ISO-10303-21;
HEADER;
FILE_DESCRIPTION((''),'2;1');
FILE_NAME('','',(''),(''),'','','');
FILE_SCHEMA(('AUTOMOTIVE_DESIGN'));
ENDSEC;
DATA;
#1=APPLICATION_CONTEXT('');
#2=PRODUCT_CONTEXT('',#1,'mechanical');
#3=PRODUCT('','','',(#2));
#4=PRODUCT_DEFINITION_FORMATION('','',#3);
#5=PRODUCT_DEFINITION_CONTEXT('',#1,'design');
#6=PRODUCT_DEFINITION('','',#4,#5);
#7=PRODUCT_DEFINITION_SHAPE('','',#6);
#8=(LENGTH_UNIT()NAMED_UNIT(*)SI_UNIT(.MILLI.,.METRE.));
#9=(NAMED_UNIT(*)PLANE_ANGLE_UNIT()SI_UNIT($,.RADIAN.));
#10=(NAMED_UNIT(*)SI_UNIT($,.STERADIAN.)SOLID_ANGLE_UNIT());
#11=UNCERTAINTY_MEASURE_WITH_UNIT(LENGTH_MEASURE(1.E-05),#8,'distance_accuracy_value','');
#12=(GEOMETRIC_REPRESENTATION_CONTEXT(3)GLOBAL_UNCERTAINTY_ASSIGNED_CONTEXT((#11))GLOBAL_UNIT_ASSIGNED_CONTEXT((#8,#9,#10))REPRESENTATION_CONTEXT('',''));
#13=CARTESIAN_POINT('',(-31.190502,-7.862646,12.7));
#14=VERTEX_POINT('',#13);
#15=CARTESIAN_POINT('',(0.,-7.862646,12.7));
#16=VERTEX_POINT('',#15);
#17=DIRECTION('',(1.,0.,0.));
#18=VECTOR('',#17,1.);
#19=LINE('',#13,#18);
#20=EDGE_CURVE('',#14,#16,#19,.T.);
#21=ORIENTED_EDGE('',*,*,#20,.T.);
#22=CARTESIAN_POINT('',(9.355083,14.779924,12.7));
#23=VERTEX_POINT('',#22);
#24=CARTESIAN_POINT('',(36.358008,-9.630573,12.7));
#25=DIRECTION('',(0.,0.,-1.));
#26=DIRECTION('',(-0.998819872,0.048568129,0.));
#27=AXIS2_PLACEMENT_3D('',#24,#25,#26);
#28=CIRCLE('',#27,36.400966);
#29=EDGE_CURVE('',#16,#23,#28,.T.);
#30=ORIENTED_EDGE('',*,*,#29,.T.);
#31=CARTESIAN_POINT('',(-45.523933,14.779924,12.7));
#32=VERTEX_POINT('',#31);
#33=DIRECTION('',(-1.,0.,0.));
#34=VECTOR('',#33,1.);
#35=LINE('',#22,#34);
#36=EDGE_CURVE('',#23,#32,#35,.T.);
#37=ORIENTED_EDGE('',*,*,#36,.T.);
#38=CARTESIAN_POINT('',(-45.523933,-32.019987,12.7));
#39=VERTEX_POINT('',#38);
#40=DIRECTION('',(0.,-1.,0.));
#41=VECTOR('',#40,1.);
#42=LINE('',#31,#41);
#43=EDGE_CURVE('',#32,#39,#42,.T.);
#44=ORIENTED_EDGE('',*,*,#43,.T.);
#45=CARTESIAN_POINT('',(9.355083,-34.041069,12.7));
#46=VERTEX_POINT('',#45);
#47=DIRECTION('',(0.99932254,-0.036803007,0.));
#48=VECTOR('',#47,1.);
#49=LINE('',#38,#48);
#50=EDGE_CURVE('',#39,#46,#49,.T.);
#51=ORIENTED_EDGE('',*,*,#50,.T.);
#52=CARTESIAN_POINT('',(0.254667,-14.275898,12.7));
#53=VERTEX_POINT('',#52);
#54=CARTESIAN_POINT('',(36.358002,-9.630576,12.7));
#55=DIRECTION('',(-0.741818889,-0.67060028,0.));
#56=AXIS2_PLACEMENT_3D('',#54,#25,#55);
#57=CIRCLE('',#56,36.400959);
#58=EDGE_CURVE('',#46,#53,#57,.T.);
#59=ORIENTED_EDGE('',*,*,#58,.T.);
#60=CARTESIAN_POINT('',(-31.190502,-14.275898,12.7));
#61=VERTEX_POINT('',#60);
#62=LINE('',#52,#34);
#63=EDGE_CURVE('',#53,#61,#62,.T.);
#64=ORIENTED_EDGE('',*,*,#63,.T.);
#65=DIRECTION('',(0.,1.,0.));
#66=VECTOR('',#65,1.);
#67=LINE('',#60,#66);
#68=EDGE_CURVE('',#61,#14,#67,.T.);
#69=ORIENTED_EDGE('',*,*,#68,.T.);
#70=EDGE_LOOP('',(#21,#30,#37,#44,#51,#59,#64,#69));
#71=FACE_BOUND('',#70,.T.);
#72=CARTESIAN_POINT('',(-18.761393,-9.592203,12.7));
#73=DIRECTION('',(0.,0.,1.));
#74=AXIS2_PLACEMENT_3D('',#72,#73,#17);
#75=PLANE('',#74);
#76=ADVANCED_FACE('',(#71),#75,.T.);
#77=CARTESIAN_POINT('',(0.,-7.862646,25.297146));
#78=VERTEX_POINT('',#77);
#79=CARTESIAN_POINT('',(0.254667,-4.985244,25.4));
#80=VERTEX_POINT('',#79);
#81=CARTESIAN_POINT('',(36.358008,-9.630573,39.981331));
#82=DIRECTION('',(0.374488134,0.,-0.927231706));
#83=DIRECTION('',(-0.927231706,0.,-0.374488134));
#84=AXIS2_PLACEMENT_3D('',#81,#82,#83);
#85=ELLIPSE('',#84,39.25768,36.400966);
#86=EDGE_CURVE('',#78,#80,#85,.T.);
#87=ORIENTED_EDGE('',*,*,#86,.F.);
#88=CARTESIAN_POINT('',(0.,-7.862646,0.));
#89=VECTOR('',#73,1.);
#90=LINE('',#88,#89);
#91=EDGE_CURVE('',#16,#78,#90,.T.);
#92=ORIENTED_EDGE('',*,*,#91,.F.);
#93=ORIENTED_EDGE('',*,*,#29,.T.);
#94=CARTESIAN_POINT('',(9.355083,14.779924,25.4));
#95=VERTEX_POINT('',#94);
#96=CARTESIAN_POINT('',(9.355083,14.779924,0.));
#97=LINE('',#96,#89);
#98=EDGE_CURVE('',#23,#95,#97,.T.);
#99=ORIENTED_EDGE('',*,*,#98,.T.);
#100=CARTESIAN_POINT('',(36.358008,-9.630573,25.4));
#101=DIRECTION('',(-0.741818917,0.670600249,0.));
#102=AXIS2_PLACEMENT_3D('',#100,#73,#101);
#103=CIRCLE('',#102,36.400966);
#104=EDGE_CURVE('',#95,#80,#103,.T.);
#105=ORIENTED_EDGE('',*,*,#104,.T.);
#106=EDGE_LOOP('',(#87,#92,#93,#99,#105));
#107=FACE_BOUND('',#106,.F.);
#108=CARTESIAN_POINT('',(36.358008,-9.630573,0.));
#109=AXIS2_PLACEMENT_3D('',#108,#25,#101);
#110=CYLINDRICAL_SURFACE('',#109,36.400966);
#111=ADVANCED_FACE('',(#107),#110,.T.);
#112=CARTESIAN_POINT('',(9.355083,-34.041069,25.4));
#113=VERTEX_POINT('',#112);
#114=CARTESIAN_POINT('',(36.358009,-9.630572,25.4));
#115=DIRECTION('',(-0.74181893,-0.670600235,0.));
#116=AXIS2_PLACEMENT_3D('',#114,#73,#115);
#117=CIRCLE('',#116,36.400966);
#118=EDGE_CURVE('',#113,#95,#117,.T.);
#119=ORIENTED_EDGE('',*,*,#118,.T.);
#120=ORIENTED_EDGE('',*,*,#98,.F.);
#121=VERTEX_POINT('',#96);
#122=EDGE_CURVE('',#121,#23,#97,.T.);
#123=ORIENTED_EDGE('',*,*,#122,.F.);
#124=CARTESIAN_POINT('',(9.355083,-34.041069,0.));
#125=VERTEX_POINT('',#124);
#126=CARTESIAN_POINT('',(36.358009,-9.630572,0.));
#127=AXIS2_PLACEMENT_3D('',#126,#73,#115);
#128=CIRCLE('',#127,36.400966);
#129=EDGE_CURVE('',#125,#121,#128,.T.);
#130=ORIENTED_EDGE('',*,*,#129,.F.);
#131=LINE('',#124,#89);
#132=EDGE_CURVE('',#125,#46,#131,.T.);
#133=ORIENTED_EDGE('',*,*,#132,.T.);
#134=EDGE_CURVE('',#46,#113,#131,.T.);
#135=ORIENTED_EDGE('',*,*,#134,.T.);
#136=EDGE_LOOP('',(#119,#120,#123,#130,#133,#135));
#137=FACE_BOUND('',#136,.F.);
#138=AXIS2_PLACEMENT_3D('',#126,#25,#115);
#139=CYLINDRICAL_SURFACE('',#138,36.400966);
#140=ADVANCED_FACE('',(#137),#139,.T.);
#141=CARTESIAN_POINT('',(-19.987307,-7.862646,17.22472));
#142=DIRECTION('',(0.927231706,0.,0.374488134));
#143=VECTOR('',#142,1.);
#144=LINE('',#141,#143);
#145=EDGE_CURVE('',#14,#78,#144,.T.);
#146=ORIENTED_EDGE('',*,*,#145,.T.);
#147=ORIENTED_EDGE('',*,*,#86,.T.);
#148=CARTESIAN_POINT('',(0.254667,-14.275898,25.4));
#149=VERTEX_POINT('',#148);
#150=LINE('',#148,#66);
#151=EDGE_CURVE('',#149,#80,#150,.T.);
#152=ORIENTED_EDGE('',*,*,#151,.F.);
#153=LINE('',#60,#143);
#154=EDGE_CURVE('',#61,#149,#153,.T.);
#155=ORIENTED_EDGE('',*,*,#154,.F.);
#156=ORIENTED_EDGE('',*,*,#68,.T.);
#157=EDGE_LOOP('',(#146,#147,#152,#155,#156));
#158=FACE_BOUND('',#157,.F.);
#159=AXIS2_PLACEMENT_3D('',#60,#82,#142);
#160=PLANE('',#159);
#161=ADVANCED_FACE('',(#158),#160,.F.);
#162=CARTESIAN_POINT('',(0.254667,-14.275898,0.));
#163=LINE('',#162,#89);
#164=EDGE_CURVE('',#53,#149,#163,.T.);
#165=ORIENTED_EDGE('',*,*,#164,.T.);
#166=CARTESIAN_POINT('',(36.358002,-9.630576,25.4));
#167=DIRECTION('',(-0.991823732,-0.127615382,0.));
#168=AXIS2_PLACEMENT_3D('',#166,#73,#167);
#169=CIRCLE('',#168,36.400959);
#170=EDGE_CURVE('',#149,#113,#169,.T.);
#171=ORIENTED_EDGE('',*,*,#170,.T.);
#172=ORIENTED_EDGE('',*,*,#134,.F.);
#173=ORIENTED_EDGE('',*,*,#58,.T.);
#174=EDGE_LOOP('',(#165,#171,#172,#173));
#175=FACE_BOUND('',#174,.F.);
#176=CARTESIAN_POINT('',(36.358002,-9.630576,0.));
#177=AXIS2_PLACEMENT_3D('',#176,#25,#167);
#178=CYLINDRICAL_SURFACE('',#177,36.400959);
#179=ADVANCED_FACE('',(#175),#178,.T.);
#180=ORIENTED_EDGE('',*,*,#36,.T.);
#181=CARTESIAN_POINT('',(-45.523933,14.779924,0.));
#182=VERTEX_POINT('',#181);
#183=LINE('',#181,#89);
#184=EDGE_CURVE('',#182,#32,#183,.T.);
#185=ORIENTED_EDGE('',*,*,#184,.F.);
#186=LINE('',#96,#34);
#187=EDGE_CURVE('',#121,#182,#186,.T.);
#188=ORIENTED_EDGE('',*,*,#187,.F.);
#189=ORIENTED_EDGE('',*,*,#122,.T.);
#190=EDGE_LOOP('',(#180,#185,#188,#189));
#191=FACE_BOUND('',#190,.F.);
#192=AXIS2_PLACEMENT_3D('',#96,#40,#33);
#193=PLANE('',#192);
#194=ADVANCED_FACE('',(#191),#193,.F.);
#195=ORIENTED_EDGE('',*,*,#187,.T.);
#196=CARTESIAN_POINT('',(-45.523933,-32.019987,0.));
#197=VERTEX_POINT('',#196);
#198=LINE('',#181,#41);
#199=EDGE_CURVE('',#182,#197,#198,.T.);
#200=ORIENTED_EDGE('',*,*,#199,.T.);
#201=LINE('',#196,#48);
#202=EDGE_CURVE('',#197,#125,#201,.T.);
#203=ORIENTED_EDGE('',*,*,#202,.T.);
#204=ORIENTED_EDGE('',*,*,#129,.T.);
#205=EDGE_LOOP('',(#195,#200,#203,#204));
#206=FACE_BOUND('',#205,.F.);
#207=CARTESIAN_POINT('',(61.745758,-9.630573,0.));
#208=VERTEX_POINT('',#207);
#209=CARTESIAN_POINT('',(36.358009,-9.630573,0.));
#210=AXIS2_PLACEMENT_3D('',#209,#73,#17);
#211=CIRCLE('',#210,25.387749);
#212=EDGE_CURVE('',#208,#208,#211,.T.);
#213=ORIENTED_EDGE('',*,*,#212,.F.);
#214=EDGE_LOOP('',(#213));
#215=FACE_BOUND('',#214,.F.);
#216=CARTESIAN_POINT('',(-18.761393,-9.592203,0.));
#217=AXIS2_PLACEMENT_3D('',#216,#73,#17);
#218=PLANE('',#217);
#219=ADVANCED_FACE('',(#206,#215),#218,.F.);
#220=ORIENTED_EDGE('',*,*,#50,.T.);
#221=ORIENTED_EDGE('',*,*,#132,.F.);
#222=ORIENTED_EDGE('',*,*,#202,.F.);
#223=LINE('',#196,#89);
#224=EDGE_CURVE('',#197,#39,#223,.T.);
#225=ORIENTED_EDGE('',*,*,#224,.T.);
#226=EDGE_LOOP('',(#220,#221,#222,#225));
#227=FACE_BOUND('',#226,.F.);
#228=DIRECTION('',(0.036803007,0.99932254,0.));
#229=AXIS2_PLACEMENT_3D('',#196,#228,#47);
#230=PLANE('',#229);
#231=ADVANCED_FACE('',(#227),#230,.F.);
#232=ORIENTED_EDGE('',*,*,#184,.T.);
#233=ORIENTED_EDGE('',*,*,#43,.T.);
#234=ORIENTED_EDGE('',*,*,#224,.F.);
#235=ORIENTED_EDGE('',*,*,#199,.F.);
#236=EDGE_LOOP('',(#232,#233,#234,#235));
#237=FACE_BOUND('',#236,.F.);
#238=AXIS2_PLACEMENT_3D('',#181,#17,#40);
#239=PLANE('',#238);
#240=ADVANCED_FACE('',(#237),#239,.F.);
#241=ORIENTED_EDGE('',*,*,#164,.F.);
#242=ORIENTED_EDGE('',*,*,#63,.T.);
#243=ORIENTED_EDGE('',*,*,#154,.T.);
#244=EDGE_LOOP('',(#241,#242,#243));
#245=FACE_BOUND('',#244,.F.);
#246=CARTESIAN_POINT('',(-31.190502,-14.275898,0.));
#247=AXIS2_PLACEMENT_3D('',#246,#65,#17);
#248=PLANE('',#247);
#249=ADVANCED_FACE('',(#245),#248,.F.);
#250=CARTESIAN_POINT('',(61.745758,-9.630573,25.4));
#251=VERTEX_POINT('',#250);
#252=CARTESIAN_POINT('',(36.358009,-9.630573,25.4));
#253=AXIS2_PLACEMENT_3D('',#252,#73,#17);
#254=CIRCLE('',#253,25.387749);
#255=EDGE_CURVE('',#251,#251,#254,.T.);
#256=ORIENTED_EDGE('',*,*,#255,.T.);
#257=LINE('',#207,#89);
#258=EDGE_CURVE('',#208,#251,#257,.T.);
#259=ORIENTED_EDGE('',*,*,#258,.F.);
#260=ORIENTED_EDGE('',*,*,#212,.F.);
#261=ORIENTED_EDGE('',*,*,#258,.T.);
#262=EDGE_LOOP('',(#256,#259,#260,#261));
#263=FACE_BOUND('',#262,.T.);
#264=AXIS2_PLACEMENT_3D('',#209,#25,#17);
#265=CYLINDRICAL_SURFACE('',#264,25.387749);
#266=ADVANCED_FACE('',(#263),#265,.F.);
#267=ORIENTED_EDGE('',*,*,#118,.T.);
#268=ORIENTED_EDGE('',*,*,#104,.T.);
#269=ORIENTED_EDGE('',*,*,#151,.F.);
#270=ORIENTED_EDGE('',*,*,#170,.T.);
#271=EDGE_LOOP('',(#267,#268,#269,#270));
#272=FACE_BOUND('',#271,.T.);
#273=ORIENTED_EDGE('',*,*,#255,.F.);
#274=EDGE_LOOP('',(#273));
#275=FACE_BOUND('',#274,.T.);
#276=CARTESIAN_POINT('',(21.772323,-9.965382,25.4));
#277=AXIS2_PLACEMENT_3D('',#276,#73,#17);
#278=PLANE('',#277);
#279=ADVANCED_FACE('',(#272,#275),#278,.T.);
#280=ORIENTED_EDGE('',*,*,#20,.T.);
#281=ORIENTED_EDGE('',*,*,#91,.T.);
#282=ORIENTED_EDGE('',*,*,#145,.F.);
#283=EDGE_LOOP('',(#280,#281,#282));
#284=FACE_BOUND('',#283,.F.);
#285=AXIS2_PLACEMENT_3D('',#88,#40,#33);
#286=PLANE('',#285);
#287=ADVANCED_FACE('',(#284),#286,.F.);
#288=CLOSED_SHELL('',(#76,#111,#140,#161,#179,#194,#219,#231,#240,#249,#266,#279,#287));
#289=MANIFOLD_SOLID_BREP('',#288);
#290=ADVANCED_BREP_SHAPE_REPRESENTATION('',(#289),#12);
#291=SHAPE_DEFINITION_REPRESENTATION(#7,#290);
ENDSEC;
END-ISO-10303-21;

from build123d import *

# Parameters (mm, degrees)
F0_R     = 25.387749
F1_DEPTH = 25.4
F2_DEPTH = 12.7
F4_DEPTH = 25.4


with BuildPart() as f1:
    # F0 (on Top) → F1 (new body)
    with BuildSketch(Plane.XY):
        with BuildLine():
            Line((-31.190502, -14.275898), (0.254667, -14.275898))
            ThreePointArc((0.254667, -14.275898), (3.293439, -24.854389), (9.355083, -34.041069))
            ThreePointArc((9.355083, -34.041069), (72.758975, -9.630573), (9.355083, 14.779924))
            ThreePointArc((9.355083, 14.779924), (2.715424, 4.269314), (0, -7.862646))
            Line((0, -7.862646), (-31.190502, -7.862646))
            Line((-31.190502, -7.862646), (-31.190502, -14.275898))
        make_face()
        with Locations((36.358009, -9.630573)):
            Circle(F0_R, mode=Mode.SUBTRACT)
    extrude(amount=F1_DEPTH)

    # F0 (on Top) → F2 (join)
    with BuildSketch(Plane.XY):
        with BuildLine():
            ThreePointArc((9.355083, -34.041069), (3.293439, -24.854389), (0.254667, -14.275898))
            Line((0.254667, -14.275898), (-31.190502, -14.275898))
            Line((-31.190502, -14.275898), (-31.190502, -7.862646))
            Line((-31.190502, -7.862646), (0, -7.862646))
            ThreePointArc((0, -7.862646), (2.715424, 4.269314), (9.355083, 14.779924))
            Line((9.355083, 14.779924), (-45.523933, 14.779924))
            Line((-45.523933, 14.779924), (-45.523933, -32.019987))
            Line((-45.523933, -32.019987), (9.355083, -34.041069))
        make_face()
    extrude(amount=F2_DEPTH)

    # F3 (on face) → F4 (cut)
    with BuildSketch(Plane.XZ.offset(14.275898)):
        Polygon((-31.190502, 12.7), (0.254667, 25.4), (-31.190502, 25.4), align=None)
    extrude(amount=-F4_DEPTH, mode=Mode.SUBTRACT)


solid = f1.part
